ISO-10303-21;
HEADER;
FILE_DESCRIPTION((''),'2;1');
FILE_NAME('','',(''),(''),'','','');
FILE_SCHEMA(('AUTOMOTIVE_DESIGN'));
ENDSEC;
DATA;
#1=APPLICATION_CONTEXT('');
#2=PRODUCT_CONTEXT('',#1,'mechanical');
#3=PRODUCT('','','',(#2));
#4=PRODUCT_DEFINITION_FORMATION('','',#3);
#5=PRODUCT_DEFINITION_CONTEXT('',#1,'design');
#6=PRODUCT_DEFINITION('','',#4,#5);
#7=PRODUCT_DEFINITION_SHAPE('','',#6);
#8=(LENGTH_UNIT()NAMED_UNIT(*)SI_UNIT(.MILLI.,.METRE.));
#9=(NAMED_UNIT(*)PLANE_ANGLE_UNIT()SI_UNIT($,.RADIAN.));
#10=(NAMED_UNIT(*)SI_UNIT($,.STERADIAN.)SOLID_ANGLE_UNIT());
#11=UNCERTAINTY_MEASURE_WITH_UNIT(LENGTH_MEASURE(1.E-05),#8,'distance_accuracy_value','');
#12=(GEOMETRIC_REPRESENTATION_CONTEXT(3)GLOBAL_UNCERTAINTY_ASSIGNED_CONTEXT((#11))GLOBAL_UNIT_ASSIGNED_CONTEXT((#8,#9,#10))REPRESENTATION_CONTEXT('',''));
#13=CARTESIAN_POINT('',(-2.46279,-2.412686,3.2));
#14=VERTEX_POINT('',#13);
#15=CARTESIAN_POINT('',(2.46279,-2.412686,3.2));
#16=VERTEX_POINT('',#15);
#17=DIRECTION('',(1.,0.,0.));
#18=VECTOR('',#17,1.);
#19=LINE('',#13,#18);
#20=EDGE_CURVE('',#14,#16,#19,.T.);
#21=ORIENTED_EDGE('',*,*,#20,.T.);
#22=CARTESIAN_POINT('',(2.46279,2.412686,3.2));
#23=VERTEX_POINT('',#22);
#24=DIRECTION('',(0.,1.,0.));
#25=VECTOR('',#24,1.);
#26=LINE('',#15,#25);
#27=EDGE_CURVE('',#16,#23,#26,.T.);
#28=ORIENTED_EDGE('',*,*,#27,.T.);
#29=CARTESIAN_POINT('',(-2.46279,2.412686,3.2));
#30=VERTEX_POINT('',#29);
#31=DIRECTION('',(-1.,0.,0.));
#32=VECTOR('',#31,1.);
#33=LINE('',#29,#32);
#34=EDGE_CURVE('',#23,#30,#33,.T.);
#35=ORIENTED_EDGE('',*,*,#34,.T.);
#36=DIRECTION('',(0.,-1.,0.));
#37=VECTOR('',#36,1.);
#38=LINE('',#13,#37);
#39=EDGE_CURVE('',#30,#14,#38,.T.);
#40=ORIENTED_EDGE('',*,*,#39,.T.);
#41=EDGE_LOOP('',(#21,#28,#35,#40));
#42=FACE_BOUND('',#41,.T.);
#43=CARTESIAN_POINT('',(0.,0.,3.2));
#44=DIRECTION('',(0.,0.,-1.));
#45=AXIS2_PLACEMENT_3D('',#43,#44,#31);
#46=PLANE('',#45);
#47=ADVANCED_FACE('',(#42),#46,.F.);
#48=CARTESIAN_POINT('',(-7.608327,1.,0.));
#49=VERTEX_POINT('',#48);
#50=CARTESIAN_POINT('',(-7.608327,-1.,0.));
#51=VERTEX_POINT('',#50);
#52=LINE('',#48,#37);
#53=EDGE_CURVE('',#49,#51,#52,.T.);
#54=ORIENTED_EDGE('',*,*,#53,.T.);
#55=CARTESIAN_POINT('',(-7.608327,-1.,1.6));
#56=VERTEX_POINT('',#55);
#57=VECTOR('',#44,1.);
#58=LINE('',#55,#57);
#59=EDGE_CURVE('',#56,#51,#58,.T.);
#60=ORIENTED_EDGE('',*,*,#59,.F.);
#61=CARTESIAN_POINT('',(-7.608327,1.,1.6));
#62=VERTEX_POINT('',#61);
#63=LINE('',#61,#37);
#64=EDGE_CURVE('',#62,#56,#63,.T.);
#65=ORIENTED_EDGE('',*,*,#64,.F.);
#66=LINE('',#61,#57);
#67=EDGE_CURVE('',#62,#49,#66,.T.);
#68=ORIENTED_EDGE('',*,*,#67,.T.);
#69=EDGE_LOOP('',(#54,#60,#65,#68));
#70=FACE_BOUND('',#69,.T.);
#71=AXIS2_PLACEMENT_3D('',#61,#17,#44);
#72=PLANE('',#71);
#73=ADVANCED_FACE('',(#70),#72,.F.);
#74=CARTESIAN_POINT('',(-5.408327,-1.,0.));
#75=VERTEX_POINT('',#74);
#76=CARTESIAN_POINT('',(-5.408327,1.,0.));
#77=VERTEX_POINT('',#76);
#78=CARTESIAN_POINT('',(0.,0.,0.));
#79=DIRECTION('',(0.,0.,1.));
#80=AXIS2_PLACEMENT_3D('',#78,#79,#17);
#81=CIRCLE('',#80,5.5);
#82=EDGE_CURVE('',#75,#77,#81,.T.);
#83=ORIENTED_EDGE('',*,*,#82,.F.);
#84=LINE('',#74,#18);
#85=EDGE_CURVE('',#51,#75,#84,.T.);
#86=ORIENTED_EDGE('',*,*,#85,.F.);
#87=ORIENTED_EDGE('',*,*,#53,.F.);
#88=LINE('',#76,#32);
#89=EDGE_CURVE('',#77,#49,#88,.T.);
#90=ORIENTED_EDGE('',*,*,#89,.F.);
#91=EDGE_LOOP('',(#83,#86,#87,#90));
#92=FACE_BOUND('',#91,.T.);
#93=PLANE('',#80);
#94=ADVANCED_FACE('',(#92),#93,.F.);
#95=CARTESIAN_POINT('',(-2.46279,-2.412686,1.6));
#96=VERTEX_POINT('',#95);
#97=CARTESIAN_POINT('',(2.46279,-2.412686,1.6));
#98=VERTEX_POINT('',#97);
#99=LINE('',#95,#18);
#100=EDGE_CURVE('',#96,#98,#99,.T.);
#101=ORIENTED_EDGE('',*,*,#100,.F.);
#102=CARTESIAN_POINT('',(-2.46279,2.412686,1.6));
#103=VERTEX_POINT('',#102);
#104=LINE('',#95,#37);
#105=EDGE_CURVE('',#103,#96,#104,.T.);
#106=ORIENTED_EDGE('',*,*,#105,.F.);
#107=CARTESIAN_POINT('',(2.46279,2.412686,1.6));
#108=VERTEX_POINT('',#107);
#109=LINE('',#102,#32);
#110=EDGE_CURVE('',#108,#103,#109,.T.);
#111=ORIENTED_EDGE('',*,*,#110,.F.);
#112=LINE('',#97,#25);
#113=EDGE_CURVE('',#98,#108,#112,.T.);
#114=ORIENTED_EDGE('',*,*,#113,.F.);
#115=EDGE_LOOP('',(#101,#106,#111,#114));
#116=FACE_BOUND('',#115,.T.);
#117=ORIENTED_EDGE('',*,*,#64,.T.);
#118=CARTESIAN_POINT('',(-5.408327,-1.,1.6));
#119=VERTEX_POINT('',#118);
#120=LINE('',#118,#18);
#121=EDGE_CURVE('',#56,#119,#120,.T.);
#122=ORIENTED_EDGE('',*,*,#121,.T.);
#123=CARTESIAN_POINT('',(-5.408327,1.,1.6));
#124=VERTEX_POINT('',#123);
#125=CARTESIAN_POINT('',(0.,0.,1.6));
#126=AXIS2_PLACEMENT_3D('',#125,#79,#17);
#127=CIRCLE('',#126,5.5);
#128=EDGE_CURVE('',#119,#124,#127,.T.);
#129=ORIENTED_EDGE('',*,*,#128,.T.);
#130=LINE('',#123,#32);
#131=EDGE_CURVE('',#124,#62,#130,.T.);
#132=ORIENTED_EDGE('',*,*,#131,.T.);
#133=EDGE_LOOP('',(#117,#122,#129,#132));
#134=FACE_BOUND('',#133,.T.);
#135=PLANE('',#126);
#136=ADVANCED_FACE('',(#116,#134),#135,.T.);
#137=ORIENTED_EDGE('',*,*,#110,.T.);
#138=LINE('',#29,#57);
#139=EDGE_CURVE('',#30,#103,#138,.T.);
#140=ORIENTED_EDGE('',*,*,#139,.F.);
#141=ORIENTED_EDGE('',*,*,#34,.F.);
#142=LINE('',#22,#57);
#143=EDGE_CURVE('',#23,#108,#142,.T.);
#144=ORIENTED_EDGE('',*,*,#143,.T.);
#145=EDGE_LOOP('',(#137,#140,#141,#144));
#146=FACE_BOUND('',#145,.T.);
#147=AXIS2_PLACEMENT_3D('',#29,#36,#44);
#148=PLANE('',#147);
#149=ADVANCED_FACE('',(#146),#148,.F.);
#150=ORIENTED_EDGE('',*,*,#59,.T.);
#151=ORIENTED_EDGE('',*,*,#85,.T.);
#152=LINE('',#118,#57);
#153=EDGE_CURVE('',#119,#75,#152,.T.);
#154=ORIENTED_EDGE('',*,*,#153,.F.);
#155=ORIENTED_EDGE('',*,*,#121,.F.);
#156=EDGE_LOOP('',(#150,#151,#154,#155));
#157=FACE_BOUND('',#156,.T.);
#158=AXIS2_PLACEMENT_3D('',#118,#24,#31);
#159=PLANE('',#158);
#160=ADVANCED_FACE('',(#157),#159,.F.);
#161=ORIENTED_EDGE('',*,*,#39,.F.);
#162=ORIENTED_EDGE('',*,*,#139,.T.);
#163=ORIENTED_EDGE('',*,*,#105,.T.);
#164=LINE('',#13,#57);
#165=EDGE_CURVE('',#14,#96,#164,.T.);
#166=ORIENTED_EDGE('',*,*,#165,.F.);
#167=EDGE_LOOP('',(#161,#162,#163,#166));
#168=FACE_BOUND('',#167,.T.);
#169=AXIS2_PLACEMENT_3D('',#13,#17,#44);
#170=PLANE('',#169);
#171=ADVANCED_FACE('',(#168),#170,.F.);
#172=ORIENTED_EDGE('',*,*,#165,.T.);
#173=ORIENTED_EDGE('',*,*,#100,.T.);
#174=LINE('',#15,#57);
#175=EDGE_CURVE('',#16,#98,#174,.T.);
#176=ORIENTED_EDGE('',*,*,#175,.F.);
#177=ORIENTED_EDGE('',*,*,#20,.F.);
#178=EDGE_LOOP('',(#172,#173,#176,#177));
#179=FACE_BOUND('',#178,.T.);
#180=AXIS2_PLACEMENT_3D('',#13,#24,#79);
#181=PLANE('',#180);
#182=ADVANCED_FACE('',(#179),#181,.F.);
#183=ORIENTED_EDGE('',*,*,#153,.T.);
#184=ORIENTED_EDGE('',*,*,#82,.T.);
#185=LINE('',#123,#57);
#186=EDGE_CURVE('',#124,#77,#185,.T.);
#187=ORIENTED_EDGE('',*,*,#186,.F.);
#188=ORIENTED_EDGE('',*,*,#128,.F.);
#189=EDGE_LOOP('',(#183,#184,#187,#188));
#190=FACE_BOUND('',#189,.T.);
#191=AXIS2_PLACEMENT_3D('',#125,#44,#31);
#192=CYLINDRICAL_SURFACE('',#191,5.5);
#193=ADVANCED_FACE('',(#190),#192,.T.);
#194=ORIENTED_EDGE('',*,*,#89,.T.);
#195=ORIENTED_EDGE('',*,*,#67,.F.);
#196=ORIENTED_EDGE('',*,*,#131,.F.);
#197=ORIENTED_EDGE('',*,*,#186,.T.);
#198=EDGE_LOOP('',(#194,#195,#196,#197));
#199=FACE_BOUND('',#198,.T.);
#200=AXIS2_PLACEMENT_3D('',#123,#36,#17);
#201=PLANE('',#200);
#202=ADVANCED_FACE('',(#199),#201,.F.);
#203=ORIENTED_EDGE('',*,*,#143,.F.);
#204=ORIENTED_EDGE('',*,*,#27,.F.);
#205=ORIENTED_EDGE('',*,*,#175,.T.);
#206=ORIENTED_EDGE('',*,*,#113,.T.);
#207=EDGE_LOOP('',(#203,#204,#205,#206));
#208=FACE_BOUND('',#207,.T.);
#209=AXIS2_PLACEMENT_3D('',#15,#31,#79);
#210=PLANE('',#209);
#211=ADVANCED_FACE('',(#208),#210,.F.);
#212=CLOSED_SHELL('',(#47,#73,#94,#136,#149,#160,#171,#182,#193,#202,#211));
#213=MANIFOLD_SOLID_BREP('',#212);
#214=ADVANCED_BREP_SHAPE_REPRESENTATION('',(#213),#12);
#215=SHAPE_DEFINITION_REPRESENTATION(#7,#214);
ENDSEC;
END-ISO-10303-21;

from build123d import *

# Parameters (mm, degrees)
EXTRUDE_1_DEPTH = 1.6
SKETCH_2_W      = 4.925580802
SKETCH_2_H      = 4.825372048
EXTRUDE_2_DEPTH = 1.6


with BuildPart() as part:
    # 草图1 → 凸台-拉伸1 (new body)
    with BuildSketch(Plane.XY):
        with BuildLine():
            Line((-5.408326913, 1), (-7.608326913, 1))
            Line((-7.608326913, 1), (-7.608326913, -1))
            Line((-7.608326913, -1), (-5.408326913, -1))
            ThreePointArc((-5.408326913, -1), (5.5, 0), (-5.408326913, 1))
        make_face()
    extrude(amount=EXTRUDE_1_DEPTH)

    # 草图2 → 凸台-拉伸2 (add)
    with BuildSketch(Plane.XY.offset(1.6)):
        Rectangle(SKETCH_2_W, SKETCH_2_H)
    extrude(amount=EXTRUDE_2_DEPTH)


solid = part.part
